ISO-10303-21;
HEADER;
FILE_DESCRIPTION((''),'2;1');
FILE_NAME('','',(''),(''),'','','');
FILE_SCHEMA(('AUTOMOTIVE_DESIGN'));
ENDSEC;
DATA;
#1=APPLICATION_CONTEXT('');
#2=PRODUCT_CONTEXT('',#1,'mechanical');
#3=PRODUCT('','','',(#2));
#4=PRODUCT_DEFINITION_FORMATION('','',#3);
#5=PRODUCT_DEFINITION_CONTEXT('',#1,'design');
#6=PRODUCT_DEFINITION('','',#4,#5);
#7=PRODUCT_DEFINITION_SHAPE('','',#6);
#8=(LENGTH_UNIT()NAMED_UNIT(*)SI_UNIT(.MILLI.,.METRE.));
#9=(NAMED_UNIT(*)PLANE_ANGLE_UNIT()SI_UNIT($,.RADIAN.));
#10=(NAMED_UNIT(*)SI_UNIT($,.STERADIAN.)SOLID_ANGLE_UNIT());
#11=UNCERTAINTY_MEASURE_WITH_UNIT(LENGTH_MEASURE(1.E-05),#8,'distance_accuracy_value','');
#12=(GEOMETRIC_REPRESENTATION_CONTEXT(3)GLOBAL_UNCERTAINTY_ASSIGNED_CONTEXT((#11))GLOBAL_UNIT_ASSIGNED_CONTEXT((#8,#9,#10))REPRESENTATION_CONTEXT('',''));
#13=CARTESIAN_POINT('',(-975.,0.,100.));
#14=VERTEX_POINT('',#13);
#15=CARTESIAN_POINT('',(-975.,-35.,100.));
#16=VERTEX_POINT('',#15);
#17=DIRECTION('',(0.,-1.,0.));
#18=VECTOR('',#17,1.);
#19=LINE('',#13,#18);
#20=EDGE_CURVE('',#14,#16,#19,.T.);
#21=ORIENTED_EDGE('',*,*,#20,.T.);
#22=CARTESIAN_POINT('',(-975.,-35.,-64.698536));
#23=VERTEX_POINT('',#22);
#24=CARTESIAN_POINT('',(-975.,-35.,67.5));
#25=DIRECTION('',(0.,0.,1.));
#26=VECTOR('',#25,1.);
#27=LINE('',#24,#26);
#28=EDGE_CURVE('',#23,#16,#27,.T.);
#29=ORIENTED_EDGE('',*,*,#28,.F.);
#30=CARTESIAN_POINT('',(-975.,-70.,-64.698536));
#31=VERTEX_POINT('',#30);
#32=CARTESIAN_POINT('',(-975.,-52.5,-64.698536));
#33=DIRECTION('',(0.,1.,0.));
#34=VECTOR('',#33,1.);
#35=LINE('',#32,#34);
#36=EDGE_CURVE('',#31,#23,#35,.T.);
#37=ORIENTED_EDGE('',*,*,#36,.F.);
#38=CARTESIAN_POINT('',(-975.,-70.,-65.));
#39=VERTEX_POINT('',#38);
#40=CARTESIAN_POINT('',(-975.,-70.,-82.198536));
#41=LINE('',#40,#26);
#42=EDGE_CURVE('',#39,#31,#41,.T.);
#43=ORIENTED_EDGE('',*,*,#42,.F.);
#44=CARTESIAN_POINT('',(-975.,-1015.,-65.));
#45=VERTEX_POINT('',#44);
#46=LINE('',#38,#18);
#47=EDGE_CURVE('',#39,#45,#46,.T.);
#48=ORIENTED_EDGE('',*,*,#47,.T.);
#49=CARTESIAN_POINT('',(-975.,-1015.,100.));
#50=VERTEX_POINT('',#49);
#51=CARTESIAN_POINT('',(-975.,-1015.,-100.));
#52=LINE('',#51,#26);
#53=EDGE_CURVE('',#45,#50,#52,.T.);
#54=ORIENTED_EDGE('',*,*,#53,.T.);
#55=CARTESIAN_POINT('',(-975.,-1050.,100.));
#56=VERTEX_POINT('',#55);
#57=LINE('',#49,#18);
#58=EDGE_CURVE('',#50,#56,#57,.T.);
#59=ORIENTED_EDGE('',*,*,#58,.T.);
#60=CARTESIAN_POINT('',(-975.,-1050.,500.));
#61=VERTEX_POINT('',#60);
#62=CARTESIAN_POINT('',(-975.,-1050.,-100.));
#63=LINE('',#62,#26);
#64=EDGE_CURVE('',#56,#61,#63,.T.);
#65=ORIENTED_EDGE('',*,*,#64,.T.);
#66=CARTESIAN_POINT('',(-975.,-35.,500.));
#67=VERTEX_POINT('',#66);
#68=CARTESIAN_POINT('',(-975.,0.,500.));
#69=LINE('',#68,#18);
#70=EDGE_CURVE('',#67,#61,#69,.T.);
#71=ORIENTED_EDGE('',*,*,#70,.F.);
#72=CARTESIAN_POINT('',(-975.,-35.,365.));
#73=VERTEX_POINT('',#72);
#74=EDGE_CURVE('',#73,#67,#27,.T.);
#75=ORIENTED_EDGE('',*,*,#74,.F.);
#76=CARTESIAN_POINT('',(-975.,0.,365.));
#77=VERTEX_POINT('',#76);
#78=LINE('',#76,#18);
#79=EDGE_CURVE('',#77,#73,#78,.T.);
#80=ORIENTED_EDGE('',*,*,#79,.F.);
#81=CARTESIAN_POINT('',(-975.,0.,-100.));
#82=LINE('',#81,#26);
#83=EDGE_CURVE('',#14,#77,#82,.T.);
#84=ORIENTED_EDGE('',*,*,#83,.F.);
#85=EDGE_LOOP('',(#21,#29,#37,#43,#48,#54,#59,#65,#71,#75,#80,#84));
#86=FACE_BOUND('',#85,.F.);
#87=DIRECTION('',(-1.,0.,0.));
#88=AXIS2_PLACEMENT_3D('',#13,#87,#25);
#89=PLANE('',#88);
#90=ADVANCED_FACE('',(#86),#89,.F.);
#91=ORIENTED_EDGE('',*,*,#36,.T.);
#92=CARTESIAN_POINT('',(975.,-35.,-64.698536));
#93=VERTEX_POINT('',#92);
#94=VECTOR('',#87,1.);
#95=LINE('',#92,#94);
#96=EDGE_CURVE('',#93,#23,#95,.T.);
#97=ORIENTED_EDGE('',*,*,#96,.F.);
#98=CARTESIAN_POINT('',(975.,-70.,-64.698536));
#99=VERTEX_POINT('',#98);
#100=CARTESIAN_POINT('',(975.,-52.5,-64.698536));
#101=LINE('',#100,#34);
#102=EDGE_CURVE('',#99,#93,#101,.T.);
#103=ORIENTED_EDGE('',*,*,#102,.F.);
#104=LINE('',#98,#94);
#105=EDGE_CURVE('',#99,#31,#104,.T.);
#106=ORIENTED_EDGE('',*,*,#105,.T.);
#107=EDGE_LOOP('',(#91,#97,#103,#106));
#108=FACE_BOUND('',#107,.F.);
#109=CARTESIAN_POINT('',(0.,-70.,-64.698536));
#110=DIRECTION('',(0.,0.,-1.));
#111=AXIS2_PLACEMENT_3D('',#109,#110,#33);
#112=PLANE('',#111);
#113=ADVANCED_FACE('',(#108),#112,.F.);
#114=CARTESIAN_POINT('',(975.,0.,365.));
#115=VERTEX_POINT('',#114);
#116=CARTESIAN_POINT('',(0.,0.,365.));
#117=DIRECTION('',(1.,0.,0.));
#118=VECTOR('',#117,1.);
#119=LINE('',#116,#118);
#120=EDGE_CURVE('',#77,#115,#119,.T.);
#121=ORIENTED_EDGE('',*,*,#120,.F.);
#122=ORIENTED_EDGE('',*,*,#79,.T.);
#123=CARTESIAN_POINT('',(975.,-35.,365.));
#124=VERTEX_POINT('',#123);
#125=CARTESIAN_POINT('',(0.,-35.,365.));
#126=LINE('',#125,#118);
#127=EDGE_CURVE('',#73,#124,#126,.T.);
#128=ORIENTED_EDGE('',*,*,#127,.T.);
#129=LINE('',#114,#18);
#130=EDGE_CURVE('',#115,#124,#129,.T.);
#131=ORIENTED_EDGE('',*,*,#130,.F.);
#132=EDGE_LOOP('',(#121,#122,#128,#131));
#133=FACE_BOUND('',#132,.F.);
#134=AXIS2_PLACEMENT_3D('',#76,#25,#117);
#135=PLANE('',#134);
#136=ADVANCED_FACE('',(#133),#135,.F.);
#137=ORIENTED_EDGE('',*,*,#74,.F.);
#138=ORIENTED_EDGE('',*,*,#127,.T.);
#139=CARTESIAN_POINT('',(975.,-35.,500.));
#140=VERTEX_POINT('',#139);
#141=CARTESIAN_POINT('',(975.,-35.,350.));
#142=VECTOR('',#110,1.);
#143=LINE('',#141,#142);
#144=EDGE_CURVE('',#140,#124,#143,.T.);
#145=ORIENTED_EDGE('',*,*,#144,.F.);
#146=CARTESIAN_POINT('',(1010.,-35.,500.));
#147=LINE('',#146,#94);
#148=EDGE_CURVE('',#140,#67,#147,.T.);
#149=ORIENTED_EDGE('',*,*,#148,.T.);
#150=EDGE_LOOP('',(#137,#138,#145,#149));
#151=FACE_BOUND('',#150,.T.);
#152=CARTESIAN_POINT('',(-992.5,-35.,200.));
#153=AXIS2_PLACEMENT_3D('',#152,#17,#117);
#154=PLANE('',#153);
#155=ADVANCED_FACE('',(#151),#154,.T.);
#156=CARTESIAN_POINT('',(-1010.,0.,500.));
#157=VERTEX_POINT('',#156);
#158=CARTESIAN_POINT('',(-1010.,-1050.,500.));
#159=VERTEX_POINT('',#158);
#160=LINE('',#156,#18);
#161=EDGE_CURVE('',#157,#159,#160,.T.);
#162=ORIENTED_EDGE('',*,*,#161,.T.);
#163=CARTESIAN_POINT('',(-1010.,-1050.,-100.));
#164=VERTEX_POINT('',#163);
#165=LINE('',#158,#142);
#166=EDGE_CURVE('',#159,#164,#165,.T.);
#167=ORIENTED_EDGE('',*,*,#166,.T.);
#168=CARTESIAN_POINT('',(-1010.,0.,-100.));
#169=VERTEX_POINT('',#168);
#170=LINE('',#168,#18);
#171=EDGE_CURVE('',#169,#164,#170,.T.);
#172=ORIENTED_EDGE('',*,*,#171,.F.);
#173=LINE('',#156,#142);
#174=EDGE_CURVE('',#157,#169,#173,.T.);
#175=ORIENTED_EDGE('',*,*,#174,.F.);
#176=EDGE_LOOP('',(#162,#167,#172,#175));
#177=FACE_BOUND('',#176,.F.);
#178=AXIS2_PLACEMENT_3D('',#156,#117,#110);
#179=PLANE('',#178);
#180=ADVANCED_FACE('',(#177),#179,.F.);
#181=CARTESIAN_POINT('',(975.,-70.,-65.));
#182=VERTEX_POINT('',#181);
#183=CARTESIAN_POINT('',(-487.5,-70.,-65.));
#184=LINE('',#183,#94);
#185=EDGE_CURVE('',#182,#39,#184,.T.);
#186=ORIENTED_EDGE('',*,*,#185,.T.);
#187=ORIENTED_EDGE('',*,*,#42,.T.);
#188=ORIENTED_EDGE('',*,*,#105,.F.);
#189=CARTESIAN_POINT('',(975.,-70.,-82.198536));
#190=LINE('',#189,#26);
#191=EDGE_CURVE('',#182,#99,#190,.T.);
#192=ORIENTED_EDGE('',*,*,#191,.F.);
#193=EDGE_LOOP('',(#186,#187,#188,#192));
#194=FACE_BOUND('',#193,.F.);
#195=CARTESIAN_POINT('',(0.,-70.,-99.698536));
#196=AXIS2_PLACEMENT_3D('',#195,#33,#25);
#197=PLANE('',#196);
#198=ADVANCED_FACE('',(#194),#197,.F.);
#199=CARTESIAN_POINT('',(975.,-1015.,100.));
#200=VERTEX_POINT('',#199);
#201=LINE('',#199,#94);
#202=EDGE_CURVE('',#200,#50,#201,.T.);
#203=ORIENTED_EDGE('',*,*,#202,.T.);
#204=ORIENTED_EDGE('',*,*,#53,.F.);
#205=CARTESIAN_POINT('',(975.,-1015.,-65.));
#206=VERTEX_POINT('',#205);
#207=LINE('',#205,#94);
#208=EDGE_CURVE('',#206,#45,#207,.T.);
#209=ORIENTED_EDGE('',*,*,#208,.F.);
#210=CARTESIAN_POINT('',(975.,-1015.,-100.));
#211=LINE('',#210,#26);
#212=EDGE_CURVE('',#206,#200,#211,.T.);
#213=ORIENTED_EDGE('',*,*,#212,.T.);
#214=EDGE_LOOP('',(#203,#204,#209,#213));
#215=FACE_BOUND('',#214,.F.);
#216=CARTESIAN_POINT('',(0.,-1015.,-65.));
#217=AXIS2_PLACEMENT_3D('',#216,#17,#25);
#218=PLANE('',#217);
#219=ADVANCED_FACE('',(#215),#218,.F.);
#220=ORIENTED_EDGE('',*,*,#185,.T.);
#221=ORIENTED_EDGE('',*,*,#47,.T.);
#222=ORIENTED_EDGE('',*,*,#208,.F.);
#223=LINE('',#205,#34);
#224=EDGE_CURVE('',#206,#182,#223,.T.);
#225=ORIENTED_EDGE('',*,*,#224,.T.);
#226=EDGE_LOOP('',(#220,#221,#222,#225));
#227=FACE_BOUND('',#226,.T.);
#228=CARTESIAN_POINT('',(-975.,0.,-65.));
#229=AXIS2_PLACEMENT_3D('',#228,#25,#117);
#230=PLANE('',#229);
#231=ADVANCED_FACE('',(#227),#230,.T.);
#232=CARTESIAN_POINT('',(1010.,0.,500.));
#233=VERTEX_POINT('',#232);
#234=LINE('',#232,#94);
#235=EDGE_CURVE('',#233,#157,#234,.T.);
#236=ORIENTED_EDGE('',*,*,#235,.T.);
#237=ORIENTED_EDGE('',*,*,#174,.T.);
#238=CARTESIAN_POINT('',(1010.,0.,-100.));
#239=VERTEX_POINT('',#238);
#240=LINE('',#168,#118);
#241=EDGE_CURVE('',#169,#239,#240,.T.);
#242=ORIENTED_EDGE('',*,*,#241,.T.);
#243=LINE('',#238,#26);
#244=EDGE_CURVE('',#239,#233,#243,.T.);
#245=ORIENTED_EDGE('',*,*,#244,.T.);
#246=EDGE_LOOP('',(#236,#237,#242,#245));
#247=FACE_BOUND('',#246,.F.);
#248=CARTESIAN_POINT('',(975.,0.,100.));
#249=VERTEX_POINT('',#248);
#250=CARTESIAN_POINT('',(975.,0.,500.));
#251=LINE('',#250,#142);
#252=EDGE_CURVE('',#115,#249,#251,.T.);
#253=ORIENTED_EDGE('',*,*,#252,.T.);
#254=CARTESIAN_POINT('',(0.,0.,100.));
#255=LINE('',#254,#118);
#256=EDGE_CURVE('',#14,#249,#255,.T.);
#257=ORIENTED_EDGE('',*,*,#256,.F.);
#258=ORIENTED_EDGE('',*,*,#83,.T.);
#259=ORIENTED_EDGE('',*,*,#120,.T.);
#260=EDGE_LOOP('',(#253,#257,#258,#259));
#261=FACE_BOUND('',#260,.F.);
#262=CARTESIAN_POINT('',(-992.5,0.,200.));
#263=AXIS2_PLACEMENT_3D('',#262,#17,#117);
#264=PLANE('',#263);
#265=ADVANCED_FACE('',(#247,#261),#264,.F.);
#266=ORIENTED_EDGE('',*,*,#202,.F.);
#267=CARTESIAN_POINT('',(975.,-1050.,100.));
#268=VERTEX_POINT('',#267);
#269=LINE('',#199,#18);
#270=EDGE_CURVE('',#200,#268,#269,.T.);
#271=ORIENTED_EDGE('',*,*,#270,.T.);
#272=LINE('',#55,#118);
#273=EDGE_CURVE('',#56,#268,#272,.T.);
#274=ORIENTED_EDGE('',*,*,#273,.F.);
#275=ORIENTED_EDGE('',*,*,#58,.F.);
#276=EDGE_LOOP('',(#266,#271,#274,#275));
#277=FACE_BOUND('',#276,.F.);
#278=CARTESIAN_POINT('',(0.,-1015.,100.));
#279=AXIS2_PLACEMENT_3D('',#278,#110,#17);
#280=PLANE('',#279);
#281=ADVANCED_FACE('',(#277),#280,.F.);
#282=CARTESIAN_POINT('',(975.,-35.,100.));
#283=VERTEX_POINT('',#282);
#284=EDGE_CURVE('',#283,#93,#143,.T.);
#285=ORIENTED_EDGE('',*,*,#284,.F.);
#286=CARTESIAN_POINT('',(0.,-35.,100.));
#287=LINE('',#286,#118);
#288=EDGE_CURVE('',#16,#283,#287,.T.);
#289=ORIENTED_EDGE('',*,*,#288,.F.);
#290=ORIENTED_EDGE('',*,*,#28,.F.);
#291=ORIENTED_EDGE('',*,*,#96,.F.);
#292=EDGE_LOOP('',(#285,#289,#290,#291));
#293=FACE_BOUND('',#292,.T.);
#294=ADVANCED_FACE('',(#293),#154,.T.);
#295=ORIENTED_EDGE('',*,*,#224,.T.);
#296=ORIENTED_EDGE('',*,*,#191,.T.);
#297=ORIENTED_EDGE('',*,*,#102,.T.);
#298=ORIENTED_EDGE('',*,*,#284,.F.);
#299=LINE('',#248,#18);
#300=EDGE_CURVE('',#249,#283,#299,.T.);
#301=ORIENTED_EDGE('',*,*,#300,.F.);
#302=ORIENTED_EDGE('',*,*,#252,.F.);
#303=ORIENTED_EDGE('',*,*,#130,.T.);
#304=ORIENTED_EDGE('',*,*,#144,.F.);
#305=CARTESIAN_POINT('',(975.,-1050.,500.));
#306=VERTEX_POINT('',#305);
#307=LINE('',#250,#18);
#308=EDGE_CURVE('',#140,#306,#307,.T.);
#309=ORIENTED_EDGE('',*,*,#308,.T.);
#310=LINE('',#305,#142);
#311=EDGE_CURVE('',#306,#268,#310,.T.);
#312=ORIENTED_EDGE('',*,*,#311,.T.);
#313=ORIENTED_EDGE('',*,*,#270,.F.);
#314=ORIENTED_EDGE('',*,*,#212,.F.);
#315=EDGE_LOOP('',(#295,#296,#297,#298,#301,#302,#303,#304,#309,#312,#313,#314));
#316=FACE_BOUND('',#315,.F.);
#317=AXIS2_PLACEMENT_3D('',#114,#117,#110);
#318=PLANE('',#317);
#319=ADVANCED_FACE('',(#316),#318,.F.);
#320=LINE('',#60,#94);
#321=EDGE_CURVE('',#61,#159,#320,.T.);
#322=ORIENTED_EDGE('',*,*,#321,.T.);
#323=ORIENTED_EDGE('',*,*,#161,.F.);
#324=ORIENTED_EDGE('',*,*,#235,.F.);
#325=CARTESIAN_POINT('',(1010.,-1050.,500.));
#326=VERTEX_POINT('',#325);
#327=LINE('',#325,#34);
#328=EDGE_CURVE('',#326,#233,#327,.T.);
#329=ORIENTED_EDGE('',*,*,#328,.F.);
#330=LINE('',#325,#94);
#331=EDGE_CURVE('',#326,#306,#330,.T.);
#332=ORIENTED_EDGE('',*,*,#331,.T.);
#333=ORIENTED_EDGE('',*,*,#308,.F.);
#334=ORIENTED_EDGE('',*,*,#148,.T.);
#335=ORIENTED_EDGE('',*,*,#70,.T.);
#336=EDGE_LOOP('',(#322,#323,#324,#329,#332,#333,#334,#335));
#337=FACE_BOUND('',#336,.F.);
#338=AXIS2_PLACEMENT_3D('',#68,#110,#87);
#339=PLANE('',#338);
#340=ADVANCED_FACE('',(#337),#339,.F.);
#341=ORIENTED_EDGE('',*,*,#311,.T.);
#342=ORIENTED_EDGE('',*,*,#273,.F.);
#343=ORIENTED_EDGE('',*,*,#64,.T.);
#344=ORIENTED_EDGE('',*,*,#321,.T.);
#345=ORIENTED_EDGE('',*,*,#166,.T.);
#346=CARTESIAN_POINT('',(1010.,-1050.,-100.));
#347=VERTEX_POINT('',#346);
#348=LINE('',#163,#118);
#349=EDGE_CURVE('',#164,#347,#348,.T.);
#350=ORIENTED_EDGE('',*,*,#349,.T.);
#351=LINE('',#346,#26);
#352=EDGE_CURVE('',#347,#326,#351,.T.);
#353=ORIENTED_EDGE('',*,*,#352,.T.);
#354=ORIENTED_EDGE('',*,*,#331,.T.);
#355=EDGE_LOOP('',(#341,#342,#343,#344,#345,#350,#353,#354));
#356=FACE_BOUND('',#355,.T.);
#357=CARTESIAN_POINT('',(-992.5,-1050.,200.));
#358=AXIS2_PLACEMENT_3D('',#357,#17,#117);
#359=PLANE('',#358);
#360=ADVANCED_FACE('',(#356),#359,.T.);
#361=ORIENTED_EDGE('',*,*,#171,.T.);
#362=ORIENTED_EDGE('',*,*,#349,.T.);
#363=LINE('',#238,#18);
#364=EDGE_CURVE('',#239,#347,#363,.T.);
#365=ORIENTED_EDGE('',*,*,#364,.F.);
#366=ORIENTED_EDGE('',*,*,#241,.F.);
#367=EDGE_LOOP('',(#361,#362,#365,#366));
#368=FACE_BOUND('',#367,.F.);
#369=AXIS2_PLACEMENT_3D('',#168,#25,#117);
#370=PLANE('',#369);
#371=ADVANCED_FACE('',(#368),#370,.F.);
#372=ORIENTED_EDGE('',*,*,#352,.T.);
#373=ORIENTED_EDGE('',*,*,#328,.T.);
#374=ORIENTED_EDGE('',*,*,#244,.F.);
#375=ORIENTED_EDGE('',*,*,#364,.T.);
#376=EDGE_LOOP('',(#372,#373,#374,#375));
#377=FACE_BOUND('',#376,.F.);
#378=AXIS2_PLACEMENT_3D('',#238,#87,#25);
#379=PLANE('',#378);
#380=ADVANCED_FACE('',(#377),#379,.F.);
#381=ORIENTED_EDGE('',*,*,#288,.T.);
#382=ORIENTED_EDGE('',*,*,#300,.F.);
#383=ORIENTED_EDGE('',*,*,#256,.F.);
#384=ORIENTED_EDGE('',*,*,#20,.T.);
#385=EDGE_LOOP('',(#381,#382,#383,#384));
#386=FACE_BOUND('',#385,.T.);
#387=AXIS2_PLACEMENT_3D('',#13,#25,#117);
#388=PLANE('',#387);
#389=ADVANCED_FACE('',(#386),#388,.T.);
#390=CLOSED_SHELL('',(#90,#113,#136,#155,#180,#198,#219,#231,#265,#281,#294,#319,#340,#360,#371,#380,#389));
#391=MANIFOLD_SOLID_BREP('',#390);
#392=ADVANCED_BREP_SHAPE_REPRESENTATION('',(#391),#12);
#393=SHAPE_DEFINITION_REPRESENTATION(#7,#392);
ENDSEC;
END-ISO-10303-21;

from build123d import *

# Parameters (mm, degrees)
F0_W     = 1950
F0_H     = 35
F1_DEPTH = 1050
F0_H_2   = 135
F0_H_3   = 165
F2_DEPTH = 35
F3_W     = 35
F3_H     = 35
F4_DEPTH = 975


with BuildPart() as f1:
    # F0 (on Front) → F1 (new body)
    with BuildSketch(Plane.XZ):
        Polygon((-975, -65), (-975, 100), (-975, 365), (-975, 500), (-1010, 500), (-1010, -100), (-975, -100), align=None)
        with Locations((0, -82.5)):
            Rectangle(F0_W, F0_H)
        Polygon((975, 365), (975, 100), (975, -65), (975, -100), (1010, -100), (1010, 500), (975, 500), align=None)
    extrude(amount=F1_DEPTH)

    # F0 (on Front) → F2 (join)
    with BuildSketch(Plane.XZ):
        Polygon((-975, -65), (-975, 100), (-975, 365), (-975, 500), (-1010, 500), (-1010, -100), (-975, -100), align=None)
        Polygon((975, 365), (975, 100), (975, -65), (975, -100), (1010, -100), (1010, 500), (975, 500), align=None)
        with Locations((0, -82.5)):
            Rectangle(F0_W, F0_H)
        with Locations((0, 432.5)):
            Rectangle(F0_W, F0_H_2)
        with Locations((0, 17.5)):
            Rectangle(F0_W, F0_H_3)
    extrude(amount=F2_DEPTH)

    # F3 (on Right) → F4 (join, symmetric)
    with BuildSketch(Plane.YZ):
        Polygon((-1015, 100), (-1050, 100), (-1050, -100), (-1015, -100), (-1015, -65), align=None)
        with Locations((-997.5, -82.5)):
            Rectangle(F3_W, F3_H)
        with Locations((-52.5, -82.198536)):
            Rectangle(F3_W, F3_H)
    extrude(amount=F4_DEPTH, both=True)


solid = f1.part
